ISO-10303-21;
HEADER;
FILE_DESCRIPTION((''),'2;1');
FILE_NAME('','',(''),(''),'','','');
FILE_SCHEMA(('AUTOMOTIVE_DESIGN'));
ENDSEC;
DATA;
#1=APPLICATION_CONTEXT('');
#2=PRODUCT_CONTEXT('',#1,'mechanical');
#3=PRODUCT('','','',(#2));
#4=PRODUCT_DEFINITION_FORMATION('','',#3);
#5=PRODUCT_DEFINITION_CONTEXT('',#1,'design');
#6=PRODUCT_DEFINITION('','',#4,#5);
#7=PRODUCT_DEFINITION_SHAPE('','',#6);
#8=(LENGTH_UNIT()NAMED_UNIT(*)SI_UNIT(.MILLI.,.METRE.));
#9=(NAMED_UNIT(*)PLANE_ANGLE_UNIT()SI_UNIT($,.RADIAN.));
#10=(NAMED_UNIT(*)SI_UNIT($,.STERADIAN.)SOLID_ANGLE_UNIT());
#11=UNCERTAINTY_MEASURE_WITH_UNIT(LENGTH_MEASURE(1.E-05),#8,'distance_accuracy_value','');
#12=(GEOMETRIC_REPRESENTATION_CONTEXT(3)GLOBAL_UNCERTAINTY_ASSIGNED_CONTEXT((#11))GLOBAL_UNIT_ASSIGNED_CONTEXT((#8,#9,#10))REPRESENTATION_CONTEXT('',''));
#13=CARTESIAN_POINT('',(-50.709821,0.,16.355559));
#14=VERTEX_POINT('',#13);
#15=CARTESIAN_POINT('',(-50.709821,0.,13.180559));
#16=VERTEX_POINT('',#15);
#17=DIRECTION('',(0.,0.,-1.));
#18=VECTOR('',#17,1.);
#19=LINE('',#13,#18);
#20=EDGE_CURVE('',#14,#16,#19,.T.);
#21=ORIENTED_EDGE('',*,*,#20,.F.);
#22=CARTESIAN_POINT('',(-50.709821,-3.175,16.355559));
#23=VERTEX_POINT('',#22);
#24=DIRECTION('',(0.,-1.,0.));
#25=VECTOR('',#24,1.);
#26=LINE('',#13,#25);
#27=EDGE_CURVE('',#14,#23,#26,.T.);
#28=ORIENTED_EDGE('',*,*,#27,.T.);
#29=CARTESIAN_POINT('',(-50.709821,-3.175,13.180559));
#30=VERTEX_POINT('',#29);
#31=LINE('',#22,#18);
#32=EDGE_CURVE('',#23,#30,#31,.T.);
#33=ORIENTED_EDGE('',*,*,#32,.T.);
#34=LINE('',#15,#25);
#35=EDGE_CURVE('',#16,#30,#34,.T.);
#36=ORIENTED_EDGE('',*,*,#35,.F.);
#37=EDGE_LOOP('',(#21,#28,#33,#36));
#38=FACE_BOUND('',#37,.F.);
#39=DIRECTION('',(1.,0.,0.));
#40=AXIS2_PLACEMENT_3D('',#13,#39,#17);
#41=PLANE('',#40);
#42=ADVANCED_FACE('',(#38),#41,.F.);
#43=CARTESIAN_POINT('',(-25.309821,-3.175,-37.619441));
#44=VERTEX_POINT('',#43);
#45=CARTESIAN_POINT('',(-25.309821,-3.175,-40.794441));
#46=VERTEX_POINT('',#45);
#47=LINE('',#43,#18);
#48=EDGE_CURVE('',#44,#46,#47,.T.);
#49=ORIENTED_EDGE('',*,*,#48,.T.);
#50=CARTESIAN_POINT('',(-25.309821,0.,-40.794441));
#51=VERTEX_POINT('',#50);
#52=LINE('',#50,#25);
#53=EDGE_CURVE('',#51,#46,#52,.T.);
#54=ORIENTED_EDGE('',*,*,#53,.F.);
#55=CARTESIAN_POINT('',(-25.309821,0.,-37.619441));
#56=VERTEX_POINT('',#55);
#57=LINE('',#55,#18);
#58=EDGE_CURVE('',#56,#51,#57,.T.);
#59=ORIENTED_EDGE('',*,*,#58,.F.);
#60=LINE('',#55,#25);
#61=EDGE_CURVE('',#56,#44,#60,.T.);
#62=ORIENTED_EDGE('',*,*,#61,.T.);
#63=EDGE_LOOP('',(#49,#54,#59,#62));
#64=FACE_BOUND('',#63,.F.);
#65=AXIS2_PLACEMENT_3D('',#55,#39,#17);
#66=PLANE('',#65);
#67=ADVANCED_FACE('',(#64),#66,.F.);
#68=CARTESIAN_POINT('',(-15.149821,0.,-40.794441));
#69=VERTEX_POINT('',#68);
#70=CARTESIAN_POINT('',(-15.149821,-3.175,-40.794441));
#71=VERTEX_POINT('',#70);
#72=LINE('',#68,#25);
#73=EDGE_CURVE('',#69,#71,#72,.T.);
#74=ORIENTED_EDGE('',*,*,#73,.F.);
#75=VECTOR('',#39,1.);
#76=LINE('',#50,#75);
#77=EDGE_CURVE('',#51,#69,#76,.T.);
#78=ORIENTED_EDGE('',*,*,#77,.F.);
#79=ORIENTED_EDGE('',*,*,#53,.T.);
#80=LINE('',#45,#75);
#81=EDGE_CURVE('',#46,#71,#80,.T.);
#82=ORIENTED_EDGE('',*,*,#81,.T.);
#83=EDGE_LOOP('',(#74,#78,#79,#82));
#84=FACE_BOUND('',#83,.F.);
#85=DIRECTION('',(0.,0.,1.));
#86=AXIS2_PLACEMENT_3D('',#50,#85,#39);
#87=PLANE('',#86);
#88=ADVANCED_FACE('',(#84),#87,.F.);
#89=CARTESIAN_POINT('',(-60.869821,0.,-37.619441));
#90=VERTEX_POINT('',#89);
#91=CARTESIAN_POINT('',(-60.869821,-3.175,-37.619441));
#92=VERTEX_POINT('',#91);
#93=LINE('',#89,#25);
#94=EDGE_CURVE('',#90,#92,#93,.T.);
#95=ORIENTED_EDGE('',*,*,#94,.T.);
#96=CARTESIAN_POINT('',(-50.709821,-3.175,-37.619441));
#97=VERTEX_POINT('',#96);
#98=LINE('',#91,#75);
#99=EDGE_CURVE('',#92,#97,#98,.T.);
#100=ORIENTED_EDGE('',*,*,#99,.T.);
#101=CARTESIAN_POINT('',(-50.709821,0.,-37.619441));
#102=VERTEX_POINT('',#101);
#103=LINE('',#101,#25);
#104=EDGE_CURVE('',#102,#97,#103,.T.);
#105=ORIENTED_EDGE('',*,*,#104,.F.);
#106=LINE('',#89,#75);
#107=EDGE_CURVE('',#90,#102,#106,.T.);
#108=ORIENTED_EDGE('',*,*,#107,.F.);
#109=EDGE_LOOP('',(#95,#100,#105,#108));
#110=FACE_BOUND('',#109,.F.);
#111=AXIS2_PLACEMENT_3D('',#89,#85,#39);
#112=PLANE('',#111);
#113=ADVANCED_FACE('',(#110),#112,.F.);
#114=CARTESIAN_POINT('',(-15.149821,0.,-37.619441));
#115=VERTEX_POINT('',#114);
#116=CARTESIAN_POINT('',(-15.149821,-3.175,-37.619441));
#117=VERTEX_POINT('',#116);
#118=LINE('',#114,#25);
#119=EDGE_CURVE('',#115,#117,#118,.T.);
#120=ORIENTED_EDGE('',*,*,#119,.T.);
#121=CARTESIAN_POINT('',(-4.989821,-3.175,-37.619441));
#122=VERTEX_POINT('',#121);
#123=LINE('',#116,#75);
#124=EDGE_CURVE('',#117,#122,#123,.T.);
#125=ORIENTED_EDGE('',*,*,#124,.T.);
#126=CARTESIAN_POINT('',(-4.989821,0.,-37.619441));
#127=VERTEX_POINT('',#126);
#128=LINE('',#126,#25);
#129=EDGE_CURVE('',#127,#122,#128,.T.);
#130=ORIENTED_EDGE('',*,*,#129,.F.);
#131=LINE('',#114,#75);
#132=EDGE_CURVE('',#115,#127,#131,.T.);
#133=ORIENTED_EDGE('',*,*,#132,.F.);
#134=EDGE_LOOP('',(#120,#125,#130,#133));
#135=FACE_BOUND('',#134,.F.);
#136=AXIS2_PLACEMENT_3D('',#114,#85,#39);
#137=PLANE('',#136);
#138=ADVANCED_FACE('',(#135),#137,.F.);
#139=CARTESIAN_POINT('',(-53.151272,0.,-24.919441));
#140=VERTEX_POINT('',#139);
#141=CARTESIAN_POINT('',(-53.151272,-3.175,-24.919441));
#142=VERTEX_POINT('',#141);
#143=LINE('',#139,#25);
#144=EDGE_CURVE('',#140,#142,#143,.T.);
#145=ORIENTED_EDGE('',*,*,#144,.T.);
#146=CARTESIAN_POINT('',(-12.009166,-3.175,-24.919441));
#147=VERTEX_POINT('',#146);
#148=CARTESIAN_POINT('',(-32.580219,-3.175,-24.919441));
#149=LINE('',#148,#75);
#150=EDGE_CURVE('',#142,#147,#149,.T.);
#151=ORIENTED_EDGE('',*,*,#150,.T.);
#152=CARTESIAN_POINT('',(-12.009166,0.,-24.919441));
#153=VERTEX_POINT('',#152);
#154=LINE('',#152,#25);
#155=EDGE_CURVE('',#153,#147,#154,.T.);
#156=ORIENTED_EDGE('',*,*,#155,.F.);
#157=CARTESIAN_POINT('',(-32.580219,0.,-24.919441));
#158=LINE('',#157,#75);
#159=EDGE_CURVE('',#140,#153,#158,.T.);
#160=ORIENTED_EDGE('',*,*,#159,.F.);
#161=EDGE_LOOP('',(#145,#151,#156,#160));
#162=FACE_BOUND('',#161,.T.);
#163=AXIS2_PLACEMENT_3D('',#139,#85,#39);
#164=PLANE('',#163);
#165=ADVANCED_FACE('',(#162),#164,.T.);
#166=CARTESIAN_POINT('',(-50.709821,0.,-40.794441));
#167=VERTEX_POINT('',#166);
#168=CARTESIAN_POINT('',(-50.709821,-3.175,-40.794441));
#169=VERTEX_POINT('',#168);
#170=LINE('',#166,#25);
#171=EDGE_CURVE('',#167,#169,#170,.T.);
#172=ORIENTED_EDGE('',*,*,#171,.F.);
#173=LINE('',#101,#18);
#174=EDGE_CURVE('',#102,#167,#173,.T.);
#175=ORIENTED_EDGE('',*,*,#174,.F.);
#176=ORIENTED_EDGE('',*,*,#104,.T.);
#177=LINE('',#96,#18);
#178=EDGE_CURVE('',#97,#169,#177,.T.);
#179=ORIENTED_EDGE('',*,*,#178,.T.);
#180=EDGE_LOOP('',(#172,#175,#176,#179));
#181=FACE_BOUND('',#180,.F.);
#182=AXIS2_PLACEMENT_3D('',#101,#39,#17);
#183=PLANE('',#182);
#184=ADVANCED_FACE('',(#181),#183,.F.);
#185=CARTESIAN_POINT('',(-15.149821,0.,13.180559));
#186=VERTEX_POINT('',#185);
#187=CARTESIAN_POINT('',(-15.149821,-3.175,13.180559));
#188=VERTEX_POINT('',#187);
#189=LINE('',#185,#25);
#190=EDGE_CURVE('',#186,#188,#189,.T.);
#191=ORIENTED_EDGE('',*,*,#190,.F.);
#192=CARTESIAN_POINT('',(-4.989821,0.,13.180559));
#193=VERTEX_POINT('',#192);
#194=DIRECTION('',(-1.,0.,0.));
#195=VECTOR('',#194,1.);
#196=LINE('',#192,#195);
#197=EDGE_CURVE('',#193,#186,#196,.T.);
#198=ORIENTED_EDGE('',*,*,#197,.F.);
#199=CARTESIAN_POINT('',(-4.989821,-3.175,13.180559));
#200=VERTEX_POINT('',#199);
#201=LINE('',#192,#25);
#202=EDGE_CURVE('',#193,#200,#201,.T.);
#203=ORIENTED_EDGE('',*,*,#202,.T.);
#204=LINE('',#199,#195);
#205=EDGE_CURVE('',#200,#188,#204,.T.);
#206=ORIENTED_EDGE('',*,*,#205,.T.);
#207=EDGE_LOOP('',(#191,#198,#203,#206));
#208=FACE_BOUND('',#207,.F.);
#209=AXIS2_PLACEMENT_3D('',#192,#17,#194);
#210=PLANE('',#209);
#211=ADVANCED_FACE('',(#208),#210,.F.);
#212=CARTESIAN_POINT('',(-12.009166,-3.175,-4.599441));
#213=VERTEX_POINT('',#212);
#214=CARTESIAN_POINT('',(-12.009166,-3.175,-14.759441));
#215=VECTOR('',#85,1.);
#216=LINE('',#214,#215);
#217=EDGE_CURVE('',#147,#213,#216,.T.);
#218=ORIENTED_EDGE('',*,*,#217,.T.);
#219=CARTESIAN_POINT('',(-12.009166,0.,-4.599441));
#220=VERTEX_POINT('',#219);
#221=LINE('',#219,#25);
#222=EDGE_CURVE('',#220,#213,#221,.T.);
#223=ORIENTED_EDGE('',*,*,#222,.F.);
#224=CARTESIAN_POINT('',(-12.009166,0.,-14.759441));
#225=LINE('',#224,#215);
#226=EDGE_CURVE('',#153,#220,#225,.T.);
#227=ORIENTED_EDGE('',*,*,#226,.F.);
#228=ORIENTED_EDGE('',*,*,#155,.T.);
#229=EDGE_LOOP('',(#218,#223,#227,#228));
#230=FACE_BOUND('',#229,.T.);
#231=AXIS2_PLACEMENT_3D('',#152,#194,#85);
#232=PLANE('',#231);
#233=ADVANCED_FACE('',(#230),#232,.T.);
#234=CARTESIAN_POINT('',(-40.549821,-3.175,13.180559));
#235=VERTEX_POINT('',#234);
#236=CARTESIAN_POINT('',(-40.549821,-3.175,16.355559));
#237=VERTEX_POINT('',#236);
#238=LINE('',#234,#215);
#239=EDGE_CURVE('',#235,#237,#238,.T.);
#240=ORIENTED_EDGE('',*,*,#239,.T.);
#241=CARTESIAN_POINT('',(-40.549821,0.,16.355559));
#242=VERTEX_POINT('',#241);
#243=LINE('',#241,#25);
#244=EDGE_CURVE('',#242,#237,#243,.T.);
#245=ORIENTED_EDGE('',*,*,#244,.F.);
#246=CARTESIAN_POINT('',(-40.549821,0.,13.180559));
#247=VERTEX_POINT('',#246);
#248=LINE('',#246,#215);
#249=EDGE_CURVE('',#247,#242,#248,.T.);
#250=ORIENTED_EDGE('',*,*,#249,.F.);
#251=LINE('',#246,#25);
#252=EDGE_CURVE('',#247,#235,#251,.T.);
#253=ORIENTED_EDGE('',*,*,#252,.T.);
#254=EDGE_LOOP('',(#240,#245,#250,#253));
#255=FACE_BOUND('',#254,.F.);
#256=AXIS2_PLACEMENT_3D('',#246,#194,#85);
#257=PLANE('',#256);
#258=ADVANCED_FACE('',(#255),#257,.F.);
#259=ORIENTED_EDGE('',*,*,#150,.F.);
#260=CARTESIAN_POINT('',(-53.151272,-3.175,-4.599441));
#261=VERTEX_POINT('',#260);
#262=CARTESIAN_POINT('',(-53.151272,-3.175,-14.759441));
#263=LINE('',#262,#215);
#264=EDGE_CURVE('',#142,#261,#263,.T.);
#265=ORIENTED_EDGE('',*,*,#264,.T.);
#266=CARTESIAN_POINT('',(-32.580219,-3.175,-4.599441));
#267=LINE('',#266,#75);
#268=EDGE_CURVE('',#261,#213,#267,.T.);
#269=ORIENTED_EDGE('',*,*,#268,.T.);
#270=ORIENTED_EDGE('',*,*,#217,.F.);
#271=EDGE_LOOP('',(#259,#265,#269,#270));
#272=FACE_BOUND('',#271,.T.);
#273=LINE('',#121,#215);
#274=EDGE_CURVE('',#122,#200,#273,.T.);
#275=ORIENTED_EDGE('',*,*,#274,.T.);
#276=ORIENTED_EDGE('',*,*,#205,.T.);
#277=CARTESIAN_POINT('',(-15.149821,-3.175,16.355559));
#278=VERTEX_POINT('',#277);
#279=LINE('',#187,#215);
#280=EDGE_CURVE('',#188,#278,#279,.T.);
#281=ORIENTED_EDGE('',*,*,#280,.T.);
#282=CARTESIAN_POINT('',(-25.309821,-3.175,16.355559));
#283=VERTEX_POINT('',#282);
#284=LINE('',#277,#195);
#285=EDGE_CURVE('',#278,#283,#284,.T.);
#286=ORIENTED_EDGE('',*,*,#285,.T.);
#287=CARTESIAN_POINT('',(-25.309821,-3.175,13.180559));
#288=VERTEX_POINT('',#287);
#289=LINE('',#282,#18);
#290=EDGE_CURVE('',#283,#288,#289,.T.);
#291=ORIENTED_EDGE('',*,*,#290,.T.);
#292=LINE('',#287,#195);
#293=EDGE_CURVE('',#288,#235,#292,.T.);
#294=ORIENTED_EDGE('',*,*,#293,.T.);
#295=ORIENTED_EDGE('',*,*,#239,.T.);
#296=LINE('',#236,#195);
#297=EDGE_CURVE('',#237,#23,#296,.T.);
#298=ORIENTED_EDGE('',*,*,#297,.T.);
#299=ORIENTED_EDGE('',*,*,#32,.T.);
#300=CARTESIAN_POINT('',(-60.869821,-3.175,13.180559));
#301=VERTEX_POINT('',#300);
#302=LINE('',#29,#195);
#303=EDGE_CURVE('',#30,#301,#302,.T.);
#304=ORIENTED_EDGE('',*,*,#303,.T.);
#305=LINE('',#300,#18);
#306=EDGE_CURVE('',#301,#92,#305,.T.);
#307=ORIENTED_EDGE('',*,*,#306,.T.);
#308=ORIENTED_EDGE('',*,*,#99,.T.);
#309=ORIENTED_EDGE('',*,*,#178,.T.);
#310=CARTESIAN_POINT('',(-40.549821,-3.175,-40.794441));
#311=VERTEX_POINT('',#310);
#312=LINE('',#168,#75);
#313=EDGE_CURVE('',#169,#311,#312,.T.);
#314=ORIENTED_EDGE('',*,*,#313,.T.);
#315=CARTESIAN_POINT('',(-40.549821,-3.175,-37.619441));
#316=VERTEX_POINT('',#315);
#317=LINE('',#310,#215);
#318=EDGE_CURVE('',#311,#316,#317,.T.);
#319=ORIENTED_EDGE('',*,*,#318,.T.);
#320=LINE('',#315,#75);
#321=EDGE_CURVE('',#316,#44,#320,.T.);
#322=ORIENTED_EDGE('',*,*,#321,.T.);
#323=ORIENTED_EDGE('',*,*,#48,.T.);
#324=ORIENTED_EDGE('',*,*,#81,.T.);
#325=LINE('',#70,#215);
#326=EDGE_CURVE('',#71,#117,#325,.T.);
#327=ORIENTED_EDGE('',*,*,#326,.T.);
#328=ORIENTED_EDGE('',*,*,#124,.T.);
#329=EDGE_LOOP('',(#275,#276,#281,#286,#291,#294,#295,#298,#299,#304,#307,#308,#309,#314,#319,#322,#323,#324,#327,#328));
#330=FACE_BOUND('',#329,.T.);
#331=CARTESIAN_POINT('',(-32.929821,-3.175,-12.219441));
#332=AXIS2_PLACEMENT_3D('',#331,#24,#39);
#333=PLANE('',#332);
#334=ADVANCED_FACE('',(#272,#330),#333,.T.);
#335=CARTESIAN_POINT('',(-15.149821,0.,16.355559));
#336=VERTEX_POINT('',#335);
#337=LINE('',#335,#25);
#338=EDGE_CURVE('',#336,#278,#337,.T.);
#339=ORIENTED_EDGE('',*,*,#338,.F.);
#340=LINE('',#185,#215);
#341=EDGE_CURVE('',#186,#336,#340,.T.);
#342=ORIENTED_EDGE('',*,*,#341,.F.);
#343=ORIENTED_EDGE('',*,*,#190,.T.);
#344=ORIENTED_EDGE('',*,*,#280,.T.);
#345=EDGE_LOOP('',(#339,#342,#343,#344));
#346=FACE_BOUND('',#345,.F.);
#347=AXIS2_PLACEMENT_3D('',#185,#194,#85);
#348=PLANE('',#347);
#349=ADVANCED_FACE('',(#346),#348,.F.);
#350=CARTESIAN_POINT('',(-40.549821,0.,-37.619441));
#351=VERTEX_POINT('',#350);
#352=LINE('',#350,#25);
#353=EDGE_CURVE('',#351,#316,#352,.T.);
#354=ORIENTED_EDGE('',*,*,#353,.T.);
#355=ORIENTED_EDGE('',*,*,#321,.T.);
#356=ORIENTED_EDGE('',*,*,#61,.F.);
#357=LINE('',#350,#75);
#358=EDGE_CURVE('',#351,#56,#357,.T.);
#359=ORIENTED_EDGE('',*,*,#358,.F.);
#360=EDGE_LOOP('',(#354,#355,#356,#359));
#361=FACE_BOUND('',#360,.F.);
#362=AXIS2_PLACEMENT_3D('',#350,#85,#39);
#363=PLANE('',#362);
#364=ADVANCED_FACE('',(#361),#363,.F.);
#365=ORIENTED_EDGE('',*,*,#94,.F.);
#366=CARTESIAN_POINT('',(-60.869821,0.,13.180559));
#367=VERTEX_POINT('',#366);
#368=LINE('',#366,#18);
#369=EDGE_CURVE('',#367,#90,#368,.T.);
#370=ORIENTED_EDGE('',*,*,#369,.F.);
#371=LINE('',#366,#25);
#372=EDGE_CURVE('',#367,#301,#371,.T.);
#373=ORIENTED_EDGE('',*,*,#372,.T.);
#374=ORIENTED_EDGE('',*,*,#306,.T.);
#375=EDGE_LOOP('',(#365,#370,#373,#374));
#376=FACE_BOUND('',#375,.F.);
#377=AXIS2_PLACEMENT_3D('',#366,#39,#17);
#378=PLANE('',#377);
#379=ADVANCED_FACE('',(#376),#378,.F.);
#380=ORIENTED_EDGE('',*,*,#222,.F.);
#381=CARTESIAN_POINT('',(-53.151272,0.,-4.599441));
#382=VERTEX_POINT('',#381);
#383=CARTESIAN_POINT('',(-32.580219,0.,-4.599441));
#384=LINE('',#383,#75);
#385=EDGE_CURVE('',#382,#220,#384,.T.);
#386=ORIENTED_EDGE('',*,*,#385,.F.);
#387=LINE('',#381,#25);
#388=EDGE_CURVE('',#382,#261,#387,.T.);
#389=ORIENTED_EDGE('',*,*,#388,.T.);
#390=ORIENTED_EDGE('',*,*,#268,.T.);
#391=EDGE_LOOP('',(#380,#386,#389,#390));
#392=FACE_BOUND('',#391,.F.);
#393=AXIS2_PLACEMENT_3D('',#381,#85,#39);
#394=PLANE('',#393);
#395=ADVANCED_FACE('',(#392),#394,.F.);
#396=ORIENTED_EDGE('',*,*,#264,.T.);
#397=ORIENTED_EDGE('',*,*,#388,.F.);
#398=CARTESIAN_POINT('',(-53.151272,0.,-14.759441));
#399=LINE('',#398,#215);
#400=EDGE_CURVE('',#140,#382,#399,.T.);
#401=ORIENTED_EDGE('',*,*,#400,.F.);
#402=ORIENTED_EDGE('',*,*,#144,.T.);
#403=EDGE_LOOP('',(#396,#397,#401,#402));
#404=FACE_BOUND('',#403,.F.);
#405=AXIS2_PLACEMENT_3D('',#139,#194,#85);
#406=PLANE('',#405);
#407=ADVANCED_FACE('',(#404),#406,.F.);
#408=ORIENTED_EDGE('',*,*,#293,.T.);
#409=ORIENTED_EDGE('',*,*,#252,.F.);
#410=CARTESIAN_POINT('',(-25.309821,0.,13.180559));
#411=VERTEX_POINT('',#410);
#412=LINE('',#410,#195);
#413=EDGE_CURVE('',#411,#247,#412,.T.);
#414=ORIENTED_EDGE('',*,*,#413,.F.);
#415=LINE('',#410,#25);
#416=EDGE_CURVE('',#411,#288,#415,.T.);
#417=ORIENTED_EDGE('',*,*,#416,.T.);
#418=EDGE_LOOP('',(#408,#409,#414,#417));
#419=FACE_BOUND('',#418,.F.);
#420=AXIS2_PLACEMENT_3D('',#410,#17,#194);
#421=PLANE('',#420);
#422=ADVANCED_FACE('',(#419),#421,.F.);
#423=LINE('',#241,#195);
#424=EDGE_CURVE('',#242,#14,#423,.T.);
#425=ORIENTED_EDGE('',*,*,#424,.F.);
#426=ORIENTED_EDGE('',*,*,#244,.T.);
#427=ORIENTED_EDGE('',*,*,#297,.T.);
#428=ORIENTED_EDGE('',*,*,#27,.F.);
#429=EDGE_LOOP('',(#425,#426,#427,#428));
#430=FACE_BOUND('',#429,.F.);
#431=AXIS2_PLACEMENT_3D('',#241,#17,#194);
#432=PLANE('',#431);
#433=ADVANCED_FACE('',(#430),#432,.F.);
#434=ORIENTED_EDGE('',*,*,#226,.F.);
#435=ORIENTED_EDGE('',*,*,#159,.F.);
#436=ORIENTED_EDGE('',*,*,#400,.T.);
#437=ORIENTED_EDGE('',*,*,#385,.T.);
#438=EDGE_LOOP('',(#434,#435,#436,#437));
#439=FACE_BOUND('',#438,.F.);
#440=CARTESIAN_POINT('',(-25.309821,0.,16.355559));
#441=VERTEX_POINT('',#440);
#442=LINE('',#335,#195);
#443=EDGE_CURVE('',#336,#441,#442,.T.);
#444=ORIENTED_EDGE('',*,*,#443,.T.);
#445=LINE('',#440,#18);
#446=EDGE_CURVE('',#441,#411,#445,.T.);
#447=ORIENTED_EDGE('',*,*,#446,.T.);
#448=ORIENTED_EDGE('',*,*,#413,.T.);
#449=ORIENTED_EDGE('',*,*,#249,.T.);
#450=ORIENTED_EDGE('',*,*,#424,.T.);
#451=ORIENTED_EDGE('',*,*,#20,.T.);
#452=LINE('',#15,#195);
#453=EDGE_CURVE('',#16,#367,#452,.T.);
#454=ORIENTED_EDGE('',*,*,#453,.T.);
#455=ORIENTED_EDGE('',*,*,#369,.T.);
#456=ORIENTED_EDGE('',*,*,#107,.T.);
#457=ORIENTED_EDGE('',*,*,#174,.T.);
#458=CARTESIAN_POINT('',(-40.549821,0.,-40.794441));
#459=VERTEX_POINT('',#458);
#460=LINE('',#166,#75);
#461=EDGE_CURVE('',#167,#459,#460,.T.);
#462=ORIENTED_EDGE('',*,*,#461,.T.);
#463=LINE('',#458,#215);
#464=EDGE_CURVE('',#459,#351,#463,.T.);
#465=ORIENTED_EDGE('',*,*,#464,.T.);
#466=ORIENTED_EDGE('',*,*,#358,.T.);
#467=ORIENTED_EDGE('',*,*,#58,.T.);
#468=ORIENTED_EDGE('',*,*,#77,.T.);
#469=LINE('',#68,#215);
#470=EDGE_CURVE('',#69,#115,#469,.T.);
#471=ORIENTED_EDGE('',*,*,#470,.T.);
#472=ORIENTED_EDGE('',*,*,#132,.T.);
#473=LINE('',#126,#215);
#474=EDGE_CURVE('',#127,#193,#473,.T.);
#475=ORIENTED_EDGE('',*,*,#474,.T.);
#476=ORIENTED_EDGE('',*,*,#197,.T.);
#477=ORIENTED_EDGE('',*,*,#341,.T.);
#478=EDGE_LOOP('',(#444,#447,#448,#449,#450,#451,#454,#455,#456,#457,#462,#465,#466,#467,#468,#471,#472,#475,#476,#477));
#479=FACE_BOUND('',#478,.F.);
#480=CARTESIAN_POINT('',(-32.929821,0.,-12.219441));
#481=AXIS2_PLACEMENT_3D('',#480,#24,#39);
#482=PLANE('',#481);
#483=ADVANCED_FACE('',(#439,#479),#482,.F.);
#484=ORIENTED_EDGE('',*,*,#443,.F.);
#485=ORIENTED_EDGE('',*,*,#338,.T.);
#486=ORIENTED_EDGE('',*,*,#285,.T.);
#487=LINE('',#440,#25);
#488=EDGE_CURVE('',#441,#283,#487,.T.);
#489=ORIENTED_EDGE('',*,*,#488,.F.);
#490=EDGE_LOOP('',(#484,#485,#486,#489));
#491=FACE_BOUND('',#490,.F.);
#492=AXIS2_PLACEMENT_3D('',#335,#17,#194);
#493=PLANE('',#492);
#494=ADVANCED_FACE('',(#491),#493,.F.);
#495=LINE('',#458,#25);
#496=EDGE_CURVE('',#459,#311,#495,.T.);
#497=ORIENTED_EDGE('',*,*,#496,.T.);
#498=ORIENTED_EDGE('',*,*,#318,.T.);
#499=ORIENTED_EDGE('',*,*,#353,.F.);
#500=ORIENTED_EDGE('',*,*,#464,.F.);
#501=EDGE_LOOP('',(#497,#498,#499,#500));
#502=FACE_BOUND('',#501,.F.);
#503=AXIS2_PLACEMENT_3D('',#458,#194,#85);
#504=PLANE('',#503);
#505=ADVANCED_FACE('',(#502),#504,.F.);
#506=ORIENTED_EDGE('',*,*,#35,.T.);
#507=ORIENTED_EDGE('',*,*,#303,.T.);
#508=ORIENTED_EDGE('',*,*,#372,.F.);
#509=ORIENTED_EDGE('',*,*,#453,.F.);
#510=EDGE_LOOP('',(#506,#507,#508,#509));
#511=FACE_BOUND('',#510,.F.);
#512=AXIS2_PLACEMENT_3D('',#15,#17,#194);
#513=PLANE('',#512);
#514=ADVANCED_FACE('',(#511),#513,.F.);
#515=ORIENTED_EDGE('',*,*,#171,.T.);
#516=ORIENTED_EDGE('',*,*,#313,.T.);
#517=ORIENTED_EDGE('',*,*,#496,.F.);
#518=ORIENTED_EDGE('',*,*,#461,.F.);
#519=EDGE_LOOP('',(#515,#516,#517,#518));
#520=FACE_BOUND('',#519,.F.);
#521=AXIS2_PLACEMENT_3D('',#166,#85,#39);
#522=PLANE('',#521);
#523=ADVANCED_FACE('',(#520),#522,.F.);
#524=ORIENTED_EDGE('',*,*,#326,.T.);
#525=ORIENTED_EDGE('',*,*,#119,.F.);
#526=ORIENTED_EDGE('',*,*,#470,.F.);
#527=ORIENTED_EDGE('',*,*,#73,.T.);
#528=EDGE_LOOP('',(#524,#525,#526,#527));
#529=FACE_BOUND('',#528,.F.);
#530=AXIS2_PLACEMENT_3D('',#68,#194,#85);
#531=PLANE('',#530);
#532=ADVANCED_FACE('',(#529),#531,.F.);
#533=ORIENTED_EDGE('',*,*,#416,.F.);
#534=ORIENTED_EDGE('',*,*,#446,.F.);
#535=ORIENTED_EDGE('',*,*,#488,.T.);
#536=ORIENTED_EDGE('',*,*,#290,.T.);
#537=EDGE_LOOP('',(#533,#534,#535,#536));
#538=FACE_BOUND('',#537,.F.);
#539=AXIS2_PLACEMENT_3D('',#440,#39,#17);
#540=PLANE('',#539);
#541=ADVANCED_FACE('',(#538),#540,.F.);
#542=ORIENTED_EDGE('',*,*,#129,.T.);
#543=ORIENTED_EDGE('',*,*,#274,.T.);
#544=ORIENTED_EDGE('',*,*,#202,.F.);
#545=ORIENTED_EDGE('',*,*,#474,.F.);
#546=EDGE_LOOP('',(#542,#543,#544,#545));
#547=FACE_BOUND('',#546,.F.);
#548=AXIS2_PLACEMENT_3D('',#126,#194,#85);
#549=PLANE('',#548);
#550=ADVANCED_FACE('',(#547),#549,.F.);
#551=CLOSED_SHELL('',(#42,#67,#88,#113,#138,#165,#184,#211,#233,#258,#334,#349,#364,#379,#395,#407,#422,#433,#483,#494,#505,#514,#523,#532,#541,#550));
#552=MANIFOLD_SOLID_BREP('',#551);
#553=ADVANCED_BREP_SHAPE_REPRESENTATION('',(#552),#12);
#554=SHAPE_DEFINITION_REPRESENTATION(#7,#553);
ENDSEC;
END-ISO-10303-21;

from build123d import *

# Parameters (mm, degrees)
F0_W     = 41.142106
F0_H     = 20.32
F1_DEPTH = 3.175


with BuildPart() as f1:
    # F0 (on Front) → F1 (new body)
    with BuildSketch(Plane.XZ):
        Polygon((-50.709821, 13.180559), (-60.869821, 13.180559), (-60.869821, -37.619441), (-50.709821, -37.619441), (-50.709821, -40.794441), (-40.549821, -40.794441), (-40.549821, -37.619441), (-25.309821, -37.619441), (-25.309821, -40.794441), (-15.149821, -40.794441), (-15.149821, -37.619441), (-4.989821, -37.619441), (-4.989821, 13.180559), (-15.149821, 13.180559), (-15.149821, 16.355559), (-25.309821, 16.355559), (-25.309821, 13.180559), (-40.549821, 13.180559), (-40.549821, 16.355559), (-50.709821, 16.355559), align=None)
        with Locations((-32.580219, -14.759441)):
            Rectangle(F0_W, F0_H, mode=Mode.SUBTRACT)
    extrude(amount=F1_DEPTH)


solid = f1.part
